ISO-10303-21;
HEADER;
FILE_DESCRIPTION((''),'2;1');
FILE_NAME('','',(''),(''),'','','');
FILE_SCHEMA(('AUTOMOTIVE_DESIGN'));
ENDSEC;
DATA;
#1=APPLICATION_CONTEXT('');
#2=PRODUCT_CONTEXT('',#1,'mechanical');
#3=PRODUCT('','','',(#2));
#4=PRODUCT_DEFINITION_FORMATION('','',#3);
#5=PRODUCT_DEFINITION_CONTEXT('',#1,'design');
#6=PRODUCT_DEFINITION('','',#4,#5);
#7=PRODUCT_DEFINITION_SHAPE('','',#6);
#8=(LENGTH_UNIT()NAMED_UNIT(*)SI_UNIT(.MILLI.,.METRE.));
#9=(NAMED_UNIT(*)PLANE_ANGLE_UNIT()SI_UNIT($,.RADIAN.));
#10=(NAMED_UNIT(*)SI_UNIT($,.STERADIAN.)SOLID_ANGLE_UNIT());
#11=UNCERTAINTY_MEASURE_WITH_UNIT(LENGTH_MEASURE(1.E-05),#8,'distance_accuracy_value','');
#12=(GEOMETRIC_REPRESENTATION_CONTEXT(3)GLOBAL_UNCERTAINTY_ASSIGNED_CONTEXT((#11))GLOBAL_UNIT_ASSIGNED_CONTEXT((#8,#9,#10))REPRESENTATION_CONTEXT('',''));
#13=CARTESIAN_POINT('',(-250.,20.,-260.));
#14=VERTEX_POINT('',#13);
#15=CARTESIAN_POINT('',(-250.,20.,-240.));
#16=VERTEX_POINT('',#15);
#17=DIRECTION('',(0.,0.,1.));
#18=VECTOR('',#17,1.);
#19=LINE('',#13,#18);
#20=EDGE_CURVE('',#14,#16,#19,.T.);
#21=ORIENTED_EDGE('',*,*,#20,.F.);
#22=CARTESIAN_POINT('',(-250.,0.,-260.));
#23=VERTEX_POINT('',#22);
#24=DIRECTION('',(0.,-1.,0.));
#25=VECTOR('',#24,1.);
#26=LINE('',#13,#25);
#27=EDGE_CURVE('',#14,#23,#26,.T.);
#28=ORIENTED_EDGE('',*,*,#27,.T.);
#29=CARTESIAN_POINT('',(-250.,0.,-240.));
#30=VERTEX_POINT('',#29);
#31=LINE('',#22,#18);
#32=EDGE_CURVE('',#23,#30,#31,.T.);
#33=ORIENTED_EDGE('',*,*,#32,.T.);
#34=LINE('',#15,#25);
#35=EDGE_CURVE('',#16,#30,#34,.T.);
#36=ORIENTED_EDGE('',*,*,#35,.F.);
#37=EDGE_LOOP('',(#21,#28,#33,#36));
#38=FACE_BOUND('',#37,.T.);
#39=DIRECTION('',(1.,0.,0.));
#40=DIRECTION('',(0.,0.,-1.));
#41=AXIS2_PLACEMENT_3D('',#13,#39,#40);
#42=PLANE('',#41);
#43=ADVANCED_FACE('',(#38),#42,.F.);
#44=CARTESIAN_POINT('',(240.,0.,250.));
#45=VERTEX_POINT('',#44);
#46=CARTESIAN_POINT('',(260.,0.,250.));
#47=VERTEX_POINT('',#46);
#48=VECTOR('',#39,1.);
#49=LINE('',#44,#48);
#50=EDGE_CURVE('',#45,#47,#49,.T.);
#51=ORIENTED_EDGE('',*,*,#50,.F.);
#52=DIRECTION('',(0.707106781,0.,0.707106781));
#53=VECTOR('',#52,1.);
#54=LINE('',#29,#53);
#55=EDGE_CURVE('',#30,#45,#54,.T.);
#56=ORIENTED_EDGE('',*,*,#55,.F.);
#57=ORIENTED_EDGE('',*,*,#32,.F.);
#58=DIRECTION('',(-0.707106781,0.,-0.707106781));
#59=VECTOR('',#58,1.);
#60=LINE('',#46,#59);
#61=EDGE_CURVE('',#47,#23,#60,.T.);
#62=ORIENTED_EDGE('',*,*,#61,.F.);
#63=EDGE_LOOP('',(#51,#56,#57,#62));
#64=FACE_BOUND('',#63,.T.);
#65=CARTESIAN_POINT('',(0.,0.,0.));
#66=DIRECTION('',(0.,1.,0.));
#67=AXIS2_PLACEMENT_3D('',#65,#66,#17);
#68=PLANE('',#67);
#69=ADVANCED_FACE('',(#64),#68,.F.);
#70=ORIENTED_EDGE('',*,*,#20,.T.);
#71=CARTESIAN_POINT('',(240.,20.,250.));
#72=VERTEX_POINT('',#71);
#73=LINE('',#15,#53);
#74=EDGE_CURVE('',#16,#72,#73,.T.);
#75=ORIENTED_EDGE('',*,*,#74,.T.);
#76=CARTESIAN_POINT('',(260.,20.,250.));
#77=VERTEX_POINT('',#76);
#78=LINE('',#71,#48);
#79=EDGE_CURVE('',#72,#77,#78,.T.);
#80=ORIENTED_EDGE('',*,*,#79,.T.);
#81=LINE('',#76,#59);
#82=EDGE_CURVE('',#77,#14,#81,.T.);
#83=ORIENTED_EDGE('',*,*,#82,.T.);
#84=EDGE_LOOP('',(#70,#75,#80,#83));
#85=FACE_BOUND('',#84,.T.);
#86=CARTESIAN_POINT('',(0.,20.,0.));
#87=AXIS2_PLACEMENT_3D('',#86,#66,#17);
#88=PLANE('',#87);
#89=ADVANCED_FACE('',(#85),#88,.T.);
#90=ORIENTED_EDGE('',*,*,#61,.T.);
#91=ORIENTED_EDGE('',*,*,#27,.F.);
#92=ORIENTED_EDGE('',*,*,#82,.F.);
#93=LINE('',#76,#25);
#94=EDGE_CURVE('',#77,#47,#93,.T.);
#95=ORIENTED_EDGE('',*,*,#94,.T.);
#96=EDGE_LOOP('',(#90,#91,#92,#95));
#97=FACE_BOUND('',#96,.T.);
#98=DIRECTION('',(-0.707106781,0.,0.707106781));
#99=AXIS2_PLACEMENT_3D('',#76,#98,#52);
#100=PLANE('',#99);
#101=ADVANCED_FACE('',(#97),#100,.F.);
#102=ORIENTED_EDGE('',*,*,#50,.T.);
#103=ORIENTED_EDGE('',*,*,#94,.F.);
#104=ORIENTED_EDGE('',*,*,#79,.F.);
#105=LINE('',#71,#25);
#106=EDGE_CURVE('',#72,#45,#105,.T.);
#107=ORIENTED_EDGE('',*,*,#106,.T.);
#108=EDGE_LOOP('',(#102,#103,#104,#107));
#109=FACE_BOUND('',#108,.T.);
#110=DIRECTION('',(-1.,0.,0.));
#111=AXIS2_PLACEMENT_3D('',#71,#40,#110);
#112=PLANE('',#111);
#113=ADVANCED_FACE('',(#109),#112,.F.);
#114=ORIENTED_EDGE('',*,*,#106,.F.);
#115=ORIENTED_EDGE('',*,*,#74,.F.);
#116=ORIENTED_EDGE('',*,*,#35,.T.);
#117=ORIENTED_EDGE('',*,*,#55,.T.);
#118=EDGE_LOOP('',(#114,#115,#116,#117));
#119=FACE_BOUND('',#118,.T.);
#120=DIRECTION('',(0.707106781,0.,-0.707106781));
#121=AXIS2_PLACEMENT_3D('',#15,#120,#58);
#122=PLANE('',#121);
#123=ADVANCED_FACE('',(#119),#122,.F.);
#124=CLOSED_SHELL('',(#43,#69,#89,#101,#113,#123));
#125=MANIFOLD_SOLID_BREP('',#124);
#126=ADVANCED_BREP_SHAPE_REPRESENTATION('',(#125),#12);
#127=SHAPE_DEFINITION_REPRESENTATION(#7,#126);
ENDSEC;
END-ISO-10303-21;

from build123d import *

# Parameters (mm, degrees)
BOSS_EXTRUDE1_DEPTH = 20


with BuildPart() as part:
    # Sketch1 → Boss-Extrude1 (new body)
    with BuildSketch(Plane(origin=(0, 0, 0), x_dir=(1, 0, 0), z_dir=(0, 1, 0))):
        Polygon((-250, 240), (240, -250), (260, -250), (-250, 260), align=None)
    extrude(amount=BOSS_EXTRUDE1_DEPTH)


solid = part.part
